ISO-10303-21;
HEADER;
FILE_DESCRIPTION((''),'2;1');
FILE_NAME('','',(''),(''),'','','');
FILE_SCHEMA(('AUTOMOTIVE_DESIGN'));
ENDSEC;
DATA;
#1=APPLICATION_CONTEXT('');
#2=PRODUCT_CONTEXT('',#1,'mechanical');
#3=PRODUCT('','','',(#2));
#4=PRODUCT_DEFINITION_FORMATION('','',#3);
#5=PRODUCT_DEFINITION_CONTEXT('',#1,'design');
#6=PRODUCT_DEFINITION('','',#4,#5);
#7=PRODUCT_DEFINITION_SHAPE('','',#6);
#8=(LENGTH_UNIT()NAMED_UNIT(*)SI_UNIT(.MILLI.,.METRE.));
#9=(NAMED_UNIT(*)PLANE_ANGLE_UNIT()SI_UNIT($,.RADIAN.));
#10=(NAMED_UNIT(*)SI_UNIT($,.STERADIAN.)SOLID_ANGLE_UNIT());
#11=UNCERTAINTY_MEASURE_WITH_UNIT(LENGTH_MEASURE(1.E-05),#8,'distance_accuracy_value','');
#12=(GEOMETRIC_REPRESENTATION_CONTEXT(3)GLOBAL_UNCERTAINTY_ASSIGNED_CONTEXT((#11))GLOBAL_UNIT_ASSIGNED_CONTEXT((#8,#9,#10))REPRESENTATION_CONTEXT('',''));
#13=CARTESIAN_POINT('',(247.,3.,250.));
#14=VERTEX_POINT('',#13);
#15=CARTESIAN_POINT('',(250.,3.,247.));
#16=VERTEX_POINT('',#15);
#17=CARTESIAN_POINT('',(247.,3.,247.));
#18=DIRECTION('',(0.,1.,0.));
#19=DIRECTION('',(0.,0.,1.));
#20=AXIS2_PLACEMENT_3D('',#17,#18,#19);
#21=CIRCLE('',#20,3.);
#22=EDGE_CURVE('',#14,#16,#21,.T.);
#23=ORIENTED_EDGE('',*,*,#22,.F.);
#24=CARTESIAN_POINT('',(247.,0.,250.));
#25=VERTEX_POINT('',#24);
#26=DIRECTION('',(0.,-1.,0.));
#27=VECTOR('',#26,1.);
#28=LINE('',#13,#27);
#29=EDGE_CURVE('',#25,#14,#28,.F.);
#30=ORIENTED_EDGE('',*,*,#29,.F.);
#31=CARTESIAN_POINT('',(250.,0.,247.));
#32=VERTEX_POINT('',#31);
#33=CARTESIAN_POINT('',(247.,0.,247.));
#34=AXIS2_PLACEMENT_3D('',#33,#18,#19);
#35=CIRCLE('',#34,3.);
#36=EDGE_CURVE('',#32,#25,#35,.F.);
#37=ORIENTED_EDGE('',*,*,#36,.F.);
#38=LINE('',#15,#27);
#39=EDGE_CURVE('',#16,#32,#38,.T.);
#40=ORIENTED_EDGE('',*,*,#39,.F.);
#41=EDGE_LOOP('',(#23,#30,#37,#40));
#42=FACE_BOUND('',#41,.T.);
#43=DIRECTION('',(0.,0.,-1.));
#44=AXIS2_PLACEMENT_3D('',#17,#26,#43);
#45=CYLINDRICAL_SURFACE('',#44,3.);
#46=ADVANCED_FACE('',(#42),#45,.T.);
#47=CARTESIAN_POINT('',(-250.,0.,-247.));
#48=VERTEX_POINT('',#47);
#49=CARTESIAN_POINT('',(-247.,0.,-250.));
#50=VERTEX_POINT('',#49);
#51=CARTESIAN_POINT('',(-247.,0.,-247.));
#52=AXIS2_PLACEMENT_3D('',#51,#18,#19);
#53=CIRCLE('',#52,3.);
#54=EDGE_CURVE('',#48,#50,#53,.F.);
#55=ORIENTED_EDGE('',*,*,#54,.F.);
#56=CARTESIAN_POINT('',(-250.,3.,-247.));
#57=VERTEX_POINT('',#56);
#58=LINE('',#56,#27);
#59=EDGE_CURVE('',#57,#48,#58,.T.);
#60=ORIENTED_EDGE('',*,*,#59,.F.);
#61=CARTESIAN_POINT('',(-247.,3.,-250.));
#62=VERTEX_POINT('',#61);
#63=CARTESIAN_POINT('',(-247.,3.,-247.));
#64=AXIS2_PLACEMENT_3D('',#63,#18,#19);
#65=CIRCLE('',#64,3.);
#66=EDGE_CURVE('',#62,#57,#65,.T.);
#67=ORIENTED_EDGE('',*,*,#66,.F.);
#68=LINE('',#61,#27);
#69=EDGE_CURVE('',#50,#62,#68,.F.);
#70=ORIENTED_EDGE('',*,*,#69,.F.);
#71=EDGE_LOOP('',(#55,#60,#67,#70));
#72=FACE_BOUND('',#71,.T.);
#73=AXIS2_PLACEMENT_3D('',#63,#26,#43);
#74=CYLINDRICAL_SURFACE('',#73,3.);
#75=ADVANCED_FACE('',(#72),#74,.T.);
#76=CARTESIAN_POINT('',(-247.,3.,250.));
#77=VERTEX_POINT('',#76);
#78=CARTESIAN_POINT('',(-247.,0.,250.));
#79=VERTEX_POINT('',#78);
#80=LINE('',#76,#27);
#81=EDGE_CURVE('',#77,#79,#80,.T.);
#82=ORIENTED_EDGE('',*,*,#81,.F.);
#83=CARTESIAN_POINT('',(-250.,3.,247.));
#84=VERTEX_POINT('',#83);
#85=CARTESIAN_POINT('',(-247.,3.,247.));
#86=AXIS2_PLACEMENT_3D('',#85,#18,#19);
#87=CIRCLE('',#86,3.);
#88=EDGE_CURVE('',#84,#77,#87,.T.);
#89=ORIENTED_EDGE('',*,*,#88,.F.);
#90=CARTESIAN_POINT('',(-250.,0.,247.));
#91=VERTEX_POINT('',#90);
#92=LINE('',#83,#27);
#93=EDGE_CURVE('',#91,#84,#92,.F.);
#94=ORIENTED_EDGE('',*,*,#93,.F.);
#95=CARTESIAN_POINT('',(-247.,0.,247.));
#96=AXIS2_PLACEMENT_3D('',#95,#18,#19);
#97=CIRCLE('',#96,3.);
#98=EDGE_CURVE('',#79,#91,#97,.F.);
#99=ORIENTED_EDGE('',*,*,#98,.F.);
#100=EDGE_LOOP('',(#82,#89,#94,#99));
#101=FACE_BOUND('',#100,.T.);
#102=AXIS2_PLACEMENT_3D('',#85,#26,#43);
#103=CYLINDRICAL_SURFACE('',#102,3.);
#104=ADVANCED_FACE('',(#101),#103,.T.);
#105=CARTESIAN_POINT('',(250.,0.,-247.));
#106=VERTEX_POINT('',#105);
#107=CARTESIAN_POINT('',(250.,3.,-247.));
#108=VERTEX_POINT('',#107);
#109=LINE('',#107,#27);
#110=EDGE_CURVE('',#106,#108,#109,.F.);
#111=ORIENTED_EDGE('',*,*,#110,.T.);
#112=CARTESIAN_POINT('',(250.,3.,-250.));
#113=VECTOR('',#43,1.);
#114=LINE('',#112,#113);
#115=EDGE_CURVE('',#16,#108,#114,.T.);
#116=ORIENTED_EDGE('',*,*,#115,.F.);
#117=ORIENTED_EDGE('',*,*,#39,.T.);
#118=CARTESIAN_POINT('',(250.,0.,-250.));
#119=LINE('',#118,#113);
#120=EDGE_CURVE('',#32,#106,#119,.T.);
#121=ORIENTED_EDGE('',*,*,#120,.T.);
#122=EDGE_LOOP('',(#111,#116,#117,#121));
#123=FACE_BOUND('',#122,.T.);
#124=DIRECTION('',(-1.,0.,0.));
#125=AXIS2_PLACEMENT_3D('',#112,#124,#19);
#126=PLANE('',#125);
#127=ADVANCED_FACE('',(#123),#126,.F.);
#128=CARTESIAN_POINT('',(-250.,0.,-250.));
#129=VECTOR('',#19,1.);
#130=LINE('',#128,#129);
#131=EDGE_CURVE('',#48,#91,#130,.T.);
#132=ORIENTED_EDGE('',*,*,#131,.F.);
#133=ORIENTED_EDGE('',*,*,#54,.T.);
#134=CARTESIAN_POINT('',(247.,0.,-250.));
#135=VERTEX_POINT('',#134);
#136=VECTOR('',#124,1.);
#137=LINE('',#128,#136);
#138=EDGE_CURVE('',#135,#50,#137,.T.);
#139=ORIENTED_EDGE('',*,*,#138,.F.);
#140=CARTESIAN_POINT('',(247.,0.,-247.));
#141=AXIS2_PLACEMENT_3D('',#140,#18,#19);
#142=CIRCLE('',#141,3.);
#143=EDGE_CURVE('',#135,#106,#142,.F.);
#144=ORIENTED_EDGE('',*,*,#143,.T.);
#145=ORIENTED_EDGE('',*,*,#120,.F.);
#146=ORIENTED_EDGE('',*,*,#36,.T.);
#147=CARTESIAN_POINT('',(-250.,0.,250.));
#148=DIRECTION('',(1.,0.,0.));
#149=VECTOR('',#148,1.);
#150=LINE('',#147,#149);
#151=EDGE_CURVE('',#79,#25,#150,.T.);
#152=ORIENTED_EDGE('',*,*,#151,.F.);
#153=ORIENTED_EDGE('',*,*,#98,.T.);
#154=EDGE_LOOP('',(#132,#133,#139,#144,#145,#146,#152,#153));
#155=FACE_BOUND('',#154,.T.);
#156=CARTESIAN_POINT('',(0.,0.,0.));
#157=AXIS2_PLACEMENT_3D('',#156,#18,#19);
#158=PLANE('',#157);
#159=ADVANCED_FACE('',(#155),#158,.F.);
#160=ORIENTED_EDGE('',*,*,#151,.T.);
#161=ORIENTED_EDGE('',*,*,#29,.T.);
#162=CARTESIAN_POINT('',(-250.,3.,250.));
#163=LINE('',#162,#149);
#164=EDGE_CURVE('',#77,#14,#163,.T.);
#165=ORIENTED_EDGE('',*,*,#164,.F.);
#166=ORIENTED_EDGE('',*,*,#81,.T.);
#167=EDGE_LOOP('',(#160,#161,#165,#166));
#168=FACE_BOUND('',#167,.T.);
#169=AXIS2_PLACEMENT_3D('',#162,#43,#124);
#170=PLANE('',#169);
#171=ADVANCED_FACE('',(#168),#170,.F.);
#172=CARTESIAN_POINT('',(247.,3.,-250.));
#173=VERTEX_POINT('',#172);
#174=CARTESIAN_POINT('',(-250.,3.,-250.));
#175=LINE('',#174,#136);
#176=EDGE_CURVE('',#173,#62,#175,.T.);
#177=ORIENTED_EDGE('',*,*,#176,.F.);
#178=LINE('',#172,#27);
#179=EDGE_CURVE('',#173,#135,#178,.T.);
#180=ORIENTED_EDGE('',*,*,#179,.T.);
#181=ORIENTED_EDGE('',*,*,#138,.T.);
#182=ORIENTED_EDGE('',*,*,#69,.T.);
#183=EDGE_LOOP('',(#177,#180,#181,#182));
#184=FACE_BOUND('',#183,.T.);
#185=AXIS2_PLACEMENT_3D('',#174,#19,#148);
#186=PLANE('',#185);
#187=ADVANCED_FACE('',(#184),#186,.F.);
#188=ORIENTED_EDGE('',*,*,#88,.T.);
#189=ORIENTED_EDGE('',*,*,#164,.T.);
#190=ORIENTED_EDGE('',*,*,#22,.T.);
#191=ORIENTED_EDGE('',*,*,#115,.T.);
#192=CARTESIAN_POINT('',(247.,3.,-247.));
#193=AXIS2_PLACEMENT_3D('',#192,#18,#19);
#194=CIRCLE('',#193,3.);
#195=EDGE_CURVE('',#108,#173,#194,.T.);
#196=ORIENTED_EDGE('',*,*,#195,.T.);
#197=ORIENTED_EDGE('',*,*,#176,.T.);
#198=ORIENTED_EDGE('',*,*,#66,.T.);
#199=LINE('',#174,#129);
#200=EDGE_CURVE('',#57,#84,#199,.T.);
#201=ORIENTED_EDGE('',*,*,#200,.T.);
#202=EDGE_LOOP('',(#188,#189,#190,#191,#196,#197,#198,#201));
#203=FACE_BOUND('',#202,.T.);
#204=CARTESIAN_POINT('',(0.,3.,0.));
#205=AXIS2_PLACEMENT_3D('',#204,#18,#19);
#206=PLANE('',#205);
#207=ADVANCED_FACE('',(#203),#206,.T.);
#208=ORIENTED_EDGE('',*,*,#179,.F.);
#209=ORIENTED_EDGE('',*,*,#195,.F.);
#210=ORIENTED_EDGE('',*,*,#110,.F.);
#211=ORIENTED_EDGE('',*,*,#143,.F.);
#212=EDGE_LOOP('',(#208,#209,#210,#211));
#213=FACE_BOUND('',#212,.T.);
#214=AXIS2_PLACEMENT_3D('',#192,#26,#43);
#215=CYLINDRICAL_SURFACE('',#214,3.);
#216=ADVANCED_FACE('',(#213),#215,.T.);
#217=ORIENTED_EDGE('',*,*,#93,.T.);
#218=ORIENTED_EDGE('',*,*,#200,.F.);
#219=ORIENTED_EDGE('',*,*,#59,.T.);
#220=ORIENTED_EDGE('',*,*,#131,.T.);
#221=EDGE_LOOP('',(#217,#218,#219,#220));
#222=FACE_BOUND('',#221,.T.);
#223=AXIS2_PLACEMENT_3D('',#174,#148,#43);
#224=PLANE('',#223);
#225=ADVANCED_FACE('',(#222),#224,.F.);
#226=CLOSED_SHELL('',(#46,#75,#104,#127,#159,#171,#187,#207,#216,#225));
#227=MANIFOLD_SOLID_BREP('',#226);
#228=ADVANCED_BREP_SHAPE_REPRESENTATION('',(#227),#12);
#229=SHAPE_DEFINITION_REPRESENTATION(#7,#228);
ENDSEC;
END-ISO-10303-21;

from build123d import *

# Parameters (mm, degrees)
SKETCH1_W           = 500
SKETCH1_H           = 500
BOSS_EXTRUDE1_DEPTH = 3
FILLET1_R           = 3


with BuildPart() as part:
    # Sketch1 → Boss-Extrude1 (new body)
    with BuildSketch(Plane(origin=(0, 0, 0), x_dir=(1, 0, 0), z_dir=(0, 1, 0))):
        Rectangle(SKETCH1_W, SKETCH1_H)
    extrude(amount=BOSS_EXTRUDE1_DEPTH)

    # Fillet1
    fillet1_edges = [part.edges().sort_by_distance(p)[0] for p in [
        (250, 1.5, 250),
        (-250, 1.5, 250),
        (-250, 1.5, -250),
        (250, 1.5, -250),
    ]]
    fillet(fillet1_edges, radius=FILLET1_R)


solid = part.part
